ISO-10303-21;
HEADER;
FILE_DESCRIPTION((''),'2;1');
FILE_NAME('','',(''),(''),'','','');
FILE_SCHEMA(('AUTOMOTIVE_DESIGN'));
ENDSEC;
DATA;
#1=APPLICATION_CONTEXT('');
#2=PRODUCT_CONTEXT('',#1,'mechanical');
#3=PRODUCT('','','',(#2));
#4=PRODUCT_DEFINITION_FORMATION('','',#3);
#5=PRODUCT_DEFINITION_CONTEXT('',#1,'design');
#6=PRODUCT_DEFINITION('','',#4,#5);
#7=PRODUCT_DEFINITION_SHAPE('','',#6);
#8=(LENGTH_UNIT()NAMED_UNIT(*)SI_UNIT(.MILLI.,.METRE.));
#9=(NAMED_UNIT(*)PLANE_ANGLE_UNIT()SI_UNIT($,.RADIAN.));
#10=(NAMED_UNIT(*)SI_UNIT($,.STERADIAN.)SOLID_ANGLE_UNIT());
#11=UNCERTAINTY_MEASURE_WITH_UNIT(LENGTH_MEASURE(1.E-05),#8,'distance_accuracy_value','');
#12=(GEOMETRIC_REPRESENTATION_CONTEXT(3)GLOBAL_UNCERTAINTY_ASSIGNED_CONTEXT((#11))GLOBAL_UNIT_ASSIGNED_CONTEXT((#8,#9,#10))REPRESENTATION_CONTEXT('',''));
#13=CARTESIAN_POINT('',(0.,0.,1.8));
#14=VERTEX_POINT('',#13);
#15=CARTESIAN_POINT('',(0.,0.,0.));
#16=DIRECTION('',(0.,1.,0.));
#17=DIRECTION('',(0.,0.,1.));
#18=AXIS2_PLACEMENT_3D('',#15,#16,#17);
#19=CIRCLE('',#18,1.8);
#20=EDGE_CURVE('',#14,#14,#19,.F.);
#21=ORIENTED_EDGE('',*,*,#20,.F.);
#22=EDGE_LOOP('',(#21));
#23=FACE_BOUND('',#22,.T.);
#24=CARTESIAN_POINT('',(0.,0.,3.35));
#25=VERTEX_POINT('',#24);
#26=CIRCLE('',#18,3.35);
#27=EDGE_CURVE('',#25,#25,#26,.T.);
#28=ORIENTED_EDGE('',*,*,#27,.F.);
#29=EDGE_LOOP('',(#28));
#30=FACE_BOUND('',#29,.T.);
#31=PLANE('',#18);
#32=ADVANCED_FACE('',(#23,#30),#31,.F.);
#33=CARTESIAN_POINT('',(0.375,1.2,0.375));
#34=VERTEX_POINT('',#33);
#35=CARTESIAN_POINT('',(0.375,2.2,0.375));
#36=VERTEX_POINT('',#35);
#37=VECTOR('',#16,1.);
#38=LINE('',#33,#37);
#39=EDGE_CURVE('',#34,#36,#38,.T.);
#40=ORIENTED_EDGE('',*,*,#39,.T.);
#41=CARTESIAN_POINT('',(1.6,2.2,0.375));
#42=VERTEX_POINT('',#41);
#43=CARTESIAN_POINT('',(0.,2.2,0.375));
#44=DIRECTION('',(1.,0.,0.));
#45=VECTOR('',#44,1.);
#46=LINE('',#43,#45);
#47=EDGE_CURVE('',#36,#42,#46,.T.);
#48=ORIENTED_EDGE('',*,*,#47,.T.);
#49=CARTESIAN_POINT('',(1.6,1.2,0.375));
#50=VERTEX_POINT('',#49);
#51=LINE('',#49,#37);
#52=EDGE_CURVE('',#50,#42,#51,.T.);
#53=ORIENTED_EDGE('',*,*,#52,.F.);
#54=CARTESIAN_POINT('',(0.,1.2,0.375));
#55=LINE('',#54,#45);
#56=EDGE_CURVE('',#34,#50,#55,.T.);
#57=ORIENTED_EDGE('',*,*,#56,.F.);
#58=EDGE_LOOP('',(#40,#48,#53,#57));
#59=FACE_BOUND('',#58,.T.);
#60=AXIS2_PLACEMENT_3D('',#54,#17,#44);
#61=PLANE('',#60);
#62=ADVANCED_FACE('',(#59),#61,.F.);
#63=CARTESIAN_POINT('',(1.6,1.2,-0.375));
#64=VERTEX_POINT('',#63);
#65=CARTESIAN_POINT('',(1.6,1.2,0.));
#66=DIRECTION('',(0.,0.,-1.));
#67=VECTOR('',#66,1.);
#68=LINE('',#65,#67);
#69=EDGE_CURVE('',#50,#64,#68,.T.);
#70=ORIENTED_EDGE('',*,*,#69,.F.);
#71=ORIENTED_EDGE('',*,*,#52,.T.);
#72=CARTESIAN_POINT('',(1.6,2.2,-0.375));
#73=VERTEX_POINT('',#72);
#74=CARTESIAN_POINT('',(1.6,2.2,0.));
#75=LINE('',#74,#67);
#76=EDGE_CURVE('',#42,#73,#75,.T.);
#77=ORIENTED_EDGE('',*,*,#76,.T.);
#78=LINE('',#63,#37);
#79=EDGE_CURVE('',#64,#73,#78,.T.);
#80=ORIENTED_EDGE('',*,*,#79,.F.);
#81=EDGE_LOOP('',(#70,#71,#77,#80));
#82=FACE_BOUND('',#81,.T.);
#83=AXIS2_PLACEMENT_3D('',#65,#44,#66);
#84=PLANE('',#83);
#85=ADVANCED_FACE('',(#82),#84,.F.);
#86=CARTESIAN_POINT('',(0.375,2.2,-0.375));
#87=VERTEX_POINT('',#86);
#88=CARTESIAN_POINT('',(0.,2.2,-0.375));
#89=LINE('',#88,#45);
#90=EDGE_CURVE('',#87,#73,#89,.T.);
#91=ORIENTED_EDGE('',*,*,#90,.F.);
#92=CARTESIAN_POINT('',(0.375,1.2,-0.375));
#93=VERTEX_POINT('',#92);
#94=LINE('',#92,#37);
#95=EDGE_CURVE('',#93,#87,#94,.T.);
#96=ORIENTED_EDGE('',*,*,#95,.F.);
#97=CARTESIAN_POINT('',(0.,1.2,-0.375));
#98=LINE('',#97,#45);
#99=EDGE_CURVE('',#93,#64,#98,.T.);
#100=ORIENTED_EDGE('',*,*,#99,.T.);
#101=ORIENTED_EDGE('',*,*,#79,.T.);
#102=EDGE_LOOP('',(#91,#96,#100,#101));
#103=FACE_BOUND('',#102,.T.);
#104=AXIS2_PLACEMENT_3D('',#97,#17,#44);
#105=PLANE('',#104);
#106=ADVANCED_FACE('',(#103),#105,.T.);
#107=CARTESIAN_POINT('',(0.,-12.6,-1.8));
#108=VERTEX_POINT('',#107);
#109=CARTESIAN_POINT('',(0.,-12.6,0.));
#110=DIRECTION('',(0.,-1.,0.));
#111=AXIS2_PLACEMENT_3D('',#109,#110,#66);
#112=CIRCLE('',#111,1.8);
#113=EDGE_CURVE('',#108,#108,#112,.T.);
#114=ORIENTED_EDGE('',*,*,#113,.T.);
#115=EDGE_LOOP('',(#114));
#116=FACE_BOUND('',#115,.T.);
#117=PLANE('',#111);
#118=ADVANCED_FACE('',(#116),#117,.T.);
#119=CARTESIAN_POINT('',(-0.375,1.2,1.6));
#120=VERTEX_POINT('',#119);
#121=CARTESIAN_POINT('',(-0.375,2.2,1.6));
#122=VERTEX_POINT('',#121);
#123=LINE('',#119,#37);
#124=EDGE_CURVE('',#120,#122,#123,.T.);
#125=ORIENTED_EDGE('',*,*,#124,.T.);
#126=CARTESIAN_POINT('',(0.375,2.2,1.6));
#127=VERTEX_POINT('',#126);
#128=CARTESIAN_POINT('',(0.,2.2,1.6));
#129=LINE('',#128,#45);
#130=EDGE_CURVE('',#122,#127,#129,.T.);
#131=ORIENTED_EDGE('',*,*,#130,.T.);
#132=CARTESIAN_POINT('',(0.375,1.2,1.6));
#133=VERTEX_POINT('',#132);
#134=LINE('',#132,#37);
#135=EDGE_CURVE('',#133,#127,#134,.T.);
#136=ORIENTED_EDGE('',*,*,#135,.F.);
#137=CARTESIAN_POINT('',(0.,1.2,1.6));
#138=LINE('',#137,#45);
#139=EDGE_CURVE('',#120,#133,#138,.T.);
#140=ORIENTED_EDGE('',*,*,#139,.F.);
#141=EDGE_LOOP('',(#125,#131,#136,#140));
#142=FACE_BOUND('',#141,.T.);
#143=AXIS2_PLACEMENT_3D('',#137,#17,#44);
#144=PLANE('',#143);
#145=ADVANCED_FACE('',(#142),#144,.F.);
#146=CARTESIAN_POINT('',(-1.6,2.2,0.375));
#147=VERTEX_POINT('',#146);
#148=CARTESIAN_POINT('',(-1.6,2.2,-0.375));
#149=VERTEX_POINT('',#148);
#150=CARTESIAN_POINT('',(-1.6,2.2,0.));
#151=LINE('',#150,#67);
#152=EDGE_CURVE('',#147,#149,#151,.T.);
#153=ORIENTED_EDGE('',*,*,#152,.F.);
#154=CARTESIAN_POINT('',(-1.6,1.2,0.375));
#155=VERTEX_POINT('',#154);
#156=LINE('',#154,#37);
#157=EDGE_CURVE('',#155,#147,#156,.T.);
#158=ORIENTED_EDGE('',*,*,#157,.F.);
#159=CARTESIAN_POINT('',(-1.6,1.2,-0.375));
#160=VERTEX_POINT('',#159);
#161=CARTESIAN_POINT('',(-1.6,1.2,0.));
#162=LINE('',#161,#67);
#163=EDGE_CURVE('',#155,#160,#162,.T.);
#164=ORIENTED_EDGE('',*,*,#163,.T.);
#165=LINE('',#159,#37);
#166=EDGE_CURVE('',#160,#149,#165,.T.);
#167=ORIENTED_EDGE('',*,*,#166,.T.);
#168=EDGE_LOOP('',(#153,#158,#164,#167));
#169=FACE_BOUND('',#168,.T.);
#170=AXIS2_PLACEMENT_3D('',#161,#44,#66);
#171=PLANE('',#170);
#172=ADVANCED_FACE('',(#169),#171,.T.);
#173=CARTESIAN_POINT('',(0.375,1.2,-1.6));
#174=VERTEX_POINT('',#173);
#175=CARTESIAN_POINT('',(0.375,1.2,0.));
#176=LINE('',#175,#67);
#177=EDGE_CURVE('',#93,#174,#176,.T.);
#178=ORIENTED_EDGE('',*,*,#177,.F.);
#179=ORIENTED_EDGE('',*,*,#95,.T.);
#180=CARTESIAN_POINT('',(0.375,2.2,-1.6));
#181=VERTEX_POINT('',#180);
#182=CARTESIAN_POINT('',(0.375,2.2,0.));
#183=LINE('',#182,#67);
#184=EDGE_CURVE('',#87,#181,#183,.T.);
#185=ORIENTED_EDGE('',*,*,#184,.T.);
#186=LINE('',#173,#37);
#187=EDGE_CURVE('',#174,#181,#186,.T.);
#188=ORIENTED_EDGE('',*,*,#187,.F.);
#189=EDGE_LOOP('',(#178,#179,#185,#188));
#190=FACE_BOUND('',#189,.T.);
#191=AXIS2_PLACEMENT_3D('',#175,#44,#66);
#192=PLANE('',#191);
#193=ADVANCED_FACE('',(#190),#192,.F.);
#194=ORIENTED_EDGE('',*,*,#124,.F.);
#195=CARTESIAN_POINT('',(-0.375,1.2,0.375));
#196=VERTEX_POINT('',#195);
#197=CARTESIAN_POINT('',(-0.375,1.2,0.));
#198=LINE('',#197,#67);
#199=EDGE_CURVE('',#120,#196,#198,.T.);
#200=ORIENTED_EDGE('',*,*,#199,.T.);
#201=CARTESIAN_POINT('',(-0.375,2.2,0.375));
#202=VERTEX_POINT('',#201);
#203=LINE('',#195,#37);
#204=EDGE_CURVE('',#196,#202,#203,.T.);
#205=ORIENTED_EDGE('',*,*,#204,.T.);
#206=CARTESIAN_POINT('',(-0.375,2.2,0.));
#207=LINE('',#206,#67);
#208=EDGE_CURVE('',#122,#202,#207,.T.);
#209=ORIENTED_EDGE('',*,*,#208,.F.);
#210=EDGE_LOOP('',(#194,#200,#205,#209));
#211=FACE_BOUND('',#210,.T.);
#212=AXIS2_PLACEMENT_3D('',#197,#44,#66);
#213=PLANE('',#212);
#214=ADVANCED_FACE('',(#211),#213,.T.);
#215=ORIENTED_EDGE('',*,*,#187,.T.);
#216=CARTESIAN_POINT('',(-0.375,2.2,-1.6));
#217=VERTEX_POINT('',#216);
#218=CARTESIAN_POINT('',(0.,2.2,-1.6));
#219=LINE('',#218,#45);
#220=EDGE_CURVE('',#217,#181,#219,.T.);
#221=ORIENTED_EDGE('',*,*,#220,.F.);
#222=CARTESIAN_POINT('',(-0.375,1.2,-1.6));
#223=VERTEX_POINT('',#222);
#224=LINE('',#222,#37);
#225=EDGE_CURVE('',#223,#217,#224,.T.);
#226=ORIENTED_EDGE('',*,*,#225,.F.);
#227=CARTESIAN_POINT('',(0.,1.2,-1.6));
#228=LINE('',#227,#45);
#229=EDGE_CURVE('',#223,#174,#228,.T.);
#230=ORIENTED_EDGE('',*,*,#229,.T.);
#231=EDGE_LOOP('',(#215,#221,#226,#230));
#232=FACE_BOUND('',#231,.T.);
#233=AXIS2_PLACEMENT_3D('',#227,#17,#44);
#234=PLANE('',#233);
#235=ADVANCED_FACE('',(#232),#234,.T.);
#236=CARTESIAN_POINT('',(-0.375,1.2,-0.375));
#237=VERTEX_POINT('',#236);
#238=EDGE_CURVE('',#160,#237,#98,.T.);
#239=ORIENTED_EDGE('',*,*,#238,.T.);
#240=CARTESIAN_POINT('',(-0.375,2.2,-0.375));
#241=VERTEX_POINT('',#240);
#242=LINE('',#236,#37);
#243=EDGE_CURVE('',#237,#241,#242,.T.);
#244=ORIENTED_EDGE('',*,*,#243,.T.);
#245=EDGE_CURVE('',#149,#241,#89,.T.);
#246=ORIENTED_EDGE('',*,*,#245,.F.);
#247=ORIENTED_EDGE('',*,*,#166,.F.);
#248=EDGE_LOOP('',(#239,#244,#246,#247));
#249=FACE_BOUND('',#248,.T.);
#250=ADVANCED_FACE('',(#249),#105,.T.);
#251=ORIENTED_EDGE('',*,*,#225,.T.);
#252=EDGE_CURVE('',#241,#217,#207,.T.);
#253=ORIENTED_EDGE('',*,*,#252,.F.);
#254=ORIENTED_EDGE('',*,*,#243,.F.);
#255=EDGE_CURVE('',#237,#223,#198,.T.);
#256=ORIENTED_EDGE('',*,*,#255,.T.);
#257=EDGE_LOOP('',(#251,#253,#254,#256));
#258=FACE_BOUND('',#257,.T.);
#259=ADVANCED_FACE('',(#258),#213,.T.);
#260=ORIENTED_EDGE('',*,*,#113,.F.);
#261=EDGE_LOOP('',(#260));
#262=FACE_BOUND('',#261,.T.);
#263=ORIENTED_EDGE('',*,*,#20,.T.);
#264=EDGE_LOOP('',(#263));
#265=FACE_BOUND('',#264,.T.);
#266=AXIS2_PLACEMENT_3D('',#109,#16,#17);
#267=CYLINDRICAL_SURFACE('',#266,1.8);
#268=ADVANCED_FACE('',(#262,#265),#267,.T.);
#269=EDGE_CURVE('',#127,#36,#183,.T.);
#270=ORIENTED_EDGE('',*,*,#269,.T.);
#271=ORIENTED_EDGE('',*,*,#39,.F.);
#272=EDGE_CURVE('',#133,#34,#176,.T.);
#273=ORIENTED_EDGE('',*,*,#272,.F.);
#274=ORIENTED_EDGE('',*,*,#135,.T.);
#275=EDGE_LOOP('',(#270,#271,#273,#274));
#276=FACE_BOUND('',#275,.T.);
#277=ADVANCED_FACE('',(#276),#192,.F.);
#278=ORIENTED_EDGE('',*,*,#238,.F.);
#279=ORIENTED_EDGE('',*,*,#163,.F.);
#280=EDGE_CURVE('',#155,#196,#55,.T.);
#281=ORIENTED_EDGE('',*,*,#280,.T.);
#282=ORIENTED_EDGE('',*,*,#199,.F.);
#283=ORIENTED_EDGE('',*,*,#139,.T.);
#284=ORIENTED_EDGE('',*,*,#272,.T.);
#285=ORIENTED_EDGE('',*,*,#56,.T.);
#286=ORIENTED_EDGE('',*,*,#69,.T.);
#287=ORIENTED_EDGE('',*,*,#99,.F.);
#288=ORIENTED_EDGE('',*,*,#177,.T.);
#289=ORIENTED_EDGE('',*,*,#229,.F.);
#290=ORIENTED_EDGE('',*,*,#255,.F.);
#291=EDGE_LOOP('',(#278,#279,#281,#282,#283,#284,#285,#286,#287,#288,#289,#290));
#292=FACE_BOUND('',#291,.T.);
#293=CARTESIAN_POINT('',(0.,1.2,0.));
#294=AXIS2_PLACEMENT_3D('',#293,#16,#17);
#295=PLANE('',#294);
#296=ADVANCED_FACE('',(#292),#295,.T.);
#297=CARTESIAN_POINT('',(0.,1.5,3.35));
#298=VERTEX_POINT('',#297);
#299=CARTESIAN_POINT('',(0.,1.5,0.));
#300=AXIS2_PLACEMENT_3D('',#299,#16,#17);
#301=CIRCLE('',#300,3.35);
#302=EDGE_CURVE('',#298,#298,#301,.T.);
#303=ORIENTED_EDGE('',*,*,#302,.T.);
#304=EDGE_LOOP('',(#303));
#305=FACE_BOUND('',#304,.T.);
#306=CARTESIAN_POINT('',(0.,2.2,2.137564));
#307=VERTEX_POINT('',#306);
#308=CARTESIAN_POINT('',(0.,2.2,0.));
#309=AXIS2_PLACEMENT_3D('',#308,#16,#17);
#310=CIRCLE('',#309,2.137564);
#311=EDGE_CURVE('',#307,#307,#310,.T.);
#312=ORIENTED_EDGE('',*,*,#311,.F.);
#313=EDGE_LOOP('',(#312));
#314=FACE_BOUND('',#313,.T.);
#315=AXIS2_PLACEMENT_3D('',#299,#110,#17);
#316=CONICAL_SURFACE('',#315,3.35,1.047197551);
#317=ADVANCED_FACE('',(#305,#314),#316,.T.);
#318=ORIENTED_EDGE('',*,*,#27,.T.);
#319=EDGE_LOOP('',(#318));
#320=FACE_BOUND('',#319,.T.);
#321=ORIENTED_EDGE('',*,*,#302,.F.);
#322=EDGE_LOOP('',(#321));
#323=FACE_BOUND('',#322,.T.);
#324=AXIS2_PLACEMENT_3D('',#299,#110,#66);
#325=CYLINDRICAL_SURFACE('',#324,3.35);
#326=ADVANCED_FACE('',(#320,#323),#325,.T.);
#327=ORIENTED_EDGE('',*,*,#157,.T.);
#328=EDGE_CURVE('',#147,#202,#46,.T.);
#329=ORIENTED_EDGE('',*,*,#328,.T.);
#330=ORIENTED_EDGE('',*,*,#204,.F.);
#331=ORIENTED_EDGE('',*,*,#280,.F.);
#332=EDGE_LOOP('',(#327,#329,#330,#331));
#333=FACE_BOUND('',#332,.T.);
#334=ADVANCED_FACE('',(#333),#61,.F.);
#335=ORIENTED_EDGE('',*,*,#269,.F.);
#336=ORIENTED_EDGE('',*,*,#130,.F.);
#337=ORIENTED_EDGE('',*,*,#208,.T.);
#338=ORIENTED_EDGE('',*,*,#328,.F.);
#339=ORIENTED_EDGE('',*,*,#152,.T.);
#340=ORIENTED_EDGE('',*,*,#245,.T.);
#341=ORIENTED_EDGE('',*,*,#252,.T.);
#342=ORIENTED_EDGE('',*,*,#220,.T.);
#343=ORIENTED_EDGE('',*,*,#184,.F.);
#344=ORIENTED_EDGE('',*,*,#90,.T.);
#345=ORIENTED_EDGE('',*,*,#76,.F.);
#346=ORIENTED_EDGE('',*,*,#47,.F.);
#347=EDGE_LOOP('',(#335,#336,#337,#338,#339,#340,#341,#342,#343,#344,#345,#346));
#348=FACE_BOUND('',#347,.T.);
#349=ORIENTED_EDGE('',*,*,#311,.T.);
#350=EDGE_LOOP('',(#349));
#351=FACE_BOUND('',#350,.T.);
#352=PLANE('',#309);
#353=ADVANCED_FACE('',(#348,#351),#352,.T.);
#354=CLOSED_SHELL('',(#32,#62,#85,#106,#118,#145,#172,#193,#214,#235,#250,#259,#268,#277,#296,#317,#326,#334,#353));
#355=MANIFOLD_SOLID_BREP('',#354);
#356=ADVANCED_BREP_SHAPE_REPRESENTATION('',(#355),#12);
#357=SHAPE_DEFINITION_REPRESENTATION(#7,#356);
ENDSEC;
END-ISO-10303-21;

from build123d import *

# Parameters (mm, degrees)
SKETCH1_R           = 3.35
BOSS_EXTRUDE1_DEPTH = 1.5
SKETCH2_R           = 3.35
BOSS_EXTRUDE2_DEPTH = 0.7
BOSS_EXTRUDE2_TAPER = 60
SKETCH3_W           = 1.225
SKETCH3_H           = 0.75
SKETCH3_W_2         = 0.75
SKETCH3_H_2         = 1.225
CUT_EXTRUDE1_DEPTH  = 1
SKETCH4_R           = 1.8
BOSS_EXTRUDE3_DEPTH = 12.6


with BuildPart() as part:
    # Sketch1 → Boss-Extrude1 (new body)
    with BuildSketch(Plane(origin=(0, 0, 0), x_dir=(1, 0, 0), z_dir=(0, 1, 0))):
        with Locations(Location((0, 0, 0), (0, 0, 270))):
            Circle(SKETCH1_R)
    extrude(amount=BOSS_EXTRUDE1_DEPTH)

    # Sketch2 → Boss-Extrude2 (add)
    with BuildSketch(Plane(origin=(0, 1.5, 0), x_dir=(1, 0, 0), z_dir=(0, 1, 0))):
        with Locations(Location((0, 0, 0), (0, 0, 270))):
            Circle(SKETCH2_R)
    extrude(amount=BOSS_EXTRUDE2_DEPTH, taper=BOSS_EXTRUDE2_TAPER)

    # Sketch3 → Cut-Extrude1 (cut)
    with BuildSketch(Plane(origin=(0, 2.2, 0), x_dir=(1, 0, 0), z_dir=(0, 1, 0))):
        with Locations((-0.9875, 0)):
            Rectangle(SKETCH3_W, SKETCH3_H)
        with Locations((0, 0.9875)):
            Rectangle(SKETCH3_W_2, SKETCH3_H_2)
        with Locations((0.9875, 0)):
            Rectangle(SKETCH3_W, SKETCH3_H)
        with Locations((0, -0.9875)):
            Rectangle(SKETCH3_W_2, SKETCH3_H_2)
        Rectangle(SKETCH3_W_2, SKETCH3_H)
    extrude(amount=-CUT_EXTRUDE1_DEPTH, mode=Mode.SUBTRACT)

    # Sketch4 → Boss-Extrude3 (add)
    with BuildSketch(Plane.XZ):
        with Locations(Location((0, 0, 0), (0, 0, 90))):
            Circle(SKETCH4_R)
    extrude(amount=BOSS_EXTRUDE3_DEPTH)


solid = part.part
